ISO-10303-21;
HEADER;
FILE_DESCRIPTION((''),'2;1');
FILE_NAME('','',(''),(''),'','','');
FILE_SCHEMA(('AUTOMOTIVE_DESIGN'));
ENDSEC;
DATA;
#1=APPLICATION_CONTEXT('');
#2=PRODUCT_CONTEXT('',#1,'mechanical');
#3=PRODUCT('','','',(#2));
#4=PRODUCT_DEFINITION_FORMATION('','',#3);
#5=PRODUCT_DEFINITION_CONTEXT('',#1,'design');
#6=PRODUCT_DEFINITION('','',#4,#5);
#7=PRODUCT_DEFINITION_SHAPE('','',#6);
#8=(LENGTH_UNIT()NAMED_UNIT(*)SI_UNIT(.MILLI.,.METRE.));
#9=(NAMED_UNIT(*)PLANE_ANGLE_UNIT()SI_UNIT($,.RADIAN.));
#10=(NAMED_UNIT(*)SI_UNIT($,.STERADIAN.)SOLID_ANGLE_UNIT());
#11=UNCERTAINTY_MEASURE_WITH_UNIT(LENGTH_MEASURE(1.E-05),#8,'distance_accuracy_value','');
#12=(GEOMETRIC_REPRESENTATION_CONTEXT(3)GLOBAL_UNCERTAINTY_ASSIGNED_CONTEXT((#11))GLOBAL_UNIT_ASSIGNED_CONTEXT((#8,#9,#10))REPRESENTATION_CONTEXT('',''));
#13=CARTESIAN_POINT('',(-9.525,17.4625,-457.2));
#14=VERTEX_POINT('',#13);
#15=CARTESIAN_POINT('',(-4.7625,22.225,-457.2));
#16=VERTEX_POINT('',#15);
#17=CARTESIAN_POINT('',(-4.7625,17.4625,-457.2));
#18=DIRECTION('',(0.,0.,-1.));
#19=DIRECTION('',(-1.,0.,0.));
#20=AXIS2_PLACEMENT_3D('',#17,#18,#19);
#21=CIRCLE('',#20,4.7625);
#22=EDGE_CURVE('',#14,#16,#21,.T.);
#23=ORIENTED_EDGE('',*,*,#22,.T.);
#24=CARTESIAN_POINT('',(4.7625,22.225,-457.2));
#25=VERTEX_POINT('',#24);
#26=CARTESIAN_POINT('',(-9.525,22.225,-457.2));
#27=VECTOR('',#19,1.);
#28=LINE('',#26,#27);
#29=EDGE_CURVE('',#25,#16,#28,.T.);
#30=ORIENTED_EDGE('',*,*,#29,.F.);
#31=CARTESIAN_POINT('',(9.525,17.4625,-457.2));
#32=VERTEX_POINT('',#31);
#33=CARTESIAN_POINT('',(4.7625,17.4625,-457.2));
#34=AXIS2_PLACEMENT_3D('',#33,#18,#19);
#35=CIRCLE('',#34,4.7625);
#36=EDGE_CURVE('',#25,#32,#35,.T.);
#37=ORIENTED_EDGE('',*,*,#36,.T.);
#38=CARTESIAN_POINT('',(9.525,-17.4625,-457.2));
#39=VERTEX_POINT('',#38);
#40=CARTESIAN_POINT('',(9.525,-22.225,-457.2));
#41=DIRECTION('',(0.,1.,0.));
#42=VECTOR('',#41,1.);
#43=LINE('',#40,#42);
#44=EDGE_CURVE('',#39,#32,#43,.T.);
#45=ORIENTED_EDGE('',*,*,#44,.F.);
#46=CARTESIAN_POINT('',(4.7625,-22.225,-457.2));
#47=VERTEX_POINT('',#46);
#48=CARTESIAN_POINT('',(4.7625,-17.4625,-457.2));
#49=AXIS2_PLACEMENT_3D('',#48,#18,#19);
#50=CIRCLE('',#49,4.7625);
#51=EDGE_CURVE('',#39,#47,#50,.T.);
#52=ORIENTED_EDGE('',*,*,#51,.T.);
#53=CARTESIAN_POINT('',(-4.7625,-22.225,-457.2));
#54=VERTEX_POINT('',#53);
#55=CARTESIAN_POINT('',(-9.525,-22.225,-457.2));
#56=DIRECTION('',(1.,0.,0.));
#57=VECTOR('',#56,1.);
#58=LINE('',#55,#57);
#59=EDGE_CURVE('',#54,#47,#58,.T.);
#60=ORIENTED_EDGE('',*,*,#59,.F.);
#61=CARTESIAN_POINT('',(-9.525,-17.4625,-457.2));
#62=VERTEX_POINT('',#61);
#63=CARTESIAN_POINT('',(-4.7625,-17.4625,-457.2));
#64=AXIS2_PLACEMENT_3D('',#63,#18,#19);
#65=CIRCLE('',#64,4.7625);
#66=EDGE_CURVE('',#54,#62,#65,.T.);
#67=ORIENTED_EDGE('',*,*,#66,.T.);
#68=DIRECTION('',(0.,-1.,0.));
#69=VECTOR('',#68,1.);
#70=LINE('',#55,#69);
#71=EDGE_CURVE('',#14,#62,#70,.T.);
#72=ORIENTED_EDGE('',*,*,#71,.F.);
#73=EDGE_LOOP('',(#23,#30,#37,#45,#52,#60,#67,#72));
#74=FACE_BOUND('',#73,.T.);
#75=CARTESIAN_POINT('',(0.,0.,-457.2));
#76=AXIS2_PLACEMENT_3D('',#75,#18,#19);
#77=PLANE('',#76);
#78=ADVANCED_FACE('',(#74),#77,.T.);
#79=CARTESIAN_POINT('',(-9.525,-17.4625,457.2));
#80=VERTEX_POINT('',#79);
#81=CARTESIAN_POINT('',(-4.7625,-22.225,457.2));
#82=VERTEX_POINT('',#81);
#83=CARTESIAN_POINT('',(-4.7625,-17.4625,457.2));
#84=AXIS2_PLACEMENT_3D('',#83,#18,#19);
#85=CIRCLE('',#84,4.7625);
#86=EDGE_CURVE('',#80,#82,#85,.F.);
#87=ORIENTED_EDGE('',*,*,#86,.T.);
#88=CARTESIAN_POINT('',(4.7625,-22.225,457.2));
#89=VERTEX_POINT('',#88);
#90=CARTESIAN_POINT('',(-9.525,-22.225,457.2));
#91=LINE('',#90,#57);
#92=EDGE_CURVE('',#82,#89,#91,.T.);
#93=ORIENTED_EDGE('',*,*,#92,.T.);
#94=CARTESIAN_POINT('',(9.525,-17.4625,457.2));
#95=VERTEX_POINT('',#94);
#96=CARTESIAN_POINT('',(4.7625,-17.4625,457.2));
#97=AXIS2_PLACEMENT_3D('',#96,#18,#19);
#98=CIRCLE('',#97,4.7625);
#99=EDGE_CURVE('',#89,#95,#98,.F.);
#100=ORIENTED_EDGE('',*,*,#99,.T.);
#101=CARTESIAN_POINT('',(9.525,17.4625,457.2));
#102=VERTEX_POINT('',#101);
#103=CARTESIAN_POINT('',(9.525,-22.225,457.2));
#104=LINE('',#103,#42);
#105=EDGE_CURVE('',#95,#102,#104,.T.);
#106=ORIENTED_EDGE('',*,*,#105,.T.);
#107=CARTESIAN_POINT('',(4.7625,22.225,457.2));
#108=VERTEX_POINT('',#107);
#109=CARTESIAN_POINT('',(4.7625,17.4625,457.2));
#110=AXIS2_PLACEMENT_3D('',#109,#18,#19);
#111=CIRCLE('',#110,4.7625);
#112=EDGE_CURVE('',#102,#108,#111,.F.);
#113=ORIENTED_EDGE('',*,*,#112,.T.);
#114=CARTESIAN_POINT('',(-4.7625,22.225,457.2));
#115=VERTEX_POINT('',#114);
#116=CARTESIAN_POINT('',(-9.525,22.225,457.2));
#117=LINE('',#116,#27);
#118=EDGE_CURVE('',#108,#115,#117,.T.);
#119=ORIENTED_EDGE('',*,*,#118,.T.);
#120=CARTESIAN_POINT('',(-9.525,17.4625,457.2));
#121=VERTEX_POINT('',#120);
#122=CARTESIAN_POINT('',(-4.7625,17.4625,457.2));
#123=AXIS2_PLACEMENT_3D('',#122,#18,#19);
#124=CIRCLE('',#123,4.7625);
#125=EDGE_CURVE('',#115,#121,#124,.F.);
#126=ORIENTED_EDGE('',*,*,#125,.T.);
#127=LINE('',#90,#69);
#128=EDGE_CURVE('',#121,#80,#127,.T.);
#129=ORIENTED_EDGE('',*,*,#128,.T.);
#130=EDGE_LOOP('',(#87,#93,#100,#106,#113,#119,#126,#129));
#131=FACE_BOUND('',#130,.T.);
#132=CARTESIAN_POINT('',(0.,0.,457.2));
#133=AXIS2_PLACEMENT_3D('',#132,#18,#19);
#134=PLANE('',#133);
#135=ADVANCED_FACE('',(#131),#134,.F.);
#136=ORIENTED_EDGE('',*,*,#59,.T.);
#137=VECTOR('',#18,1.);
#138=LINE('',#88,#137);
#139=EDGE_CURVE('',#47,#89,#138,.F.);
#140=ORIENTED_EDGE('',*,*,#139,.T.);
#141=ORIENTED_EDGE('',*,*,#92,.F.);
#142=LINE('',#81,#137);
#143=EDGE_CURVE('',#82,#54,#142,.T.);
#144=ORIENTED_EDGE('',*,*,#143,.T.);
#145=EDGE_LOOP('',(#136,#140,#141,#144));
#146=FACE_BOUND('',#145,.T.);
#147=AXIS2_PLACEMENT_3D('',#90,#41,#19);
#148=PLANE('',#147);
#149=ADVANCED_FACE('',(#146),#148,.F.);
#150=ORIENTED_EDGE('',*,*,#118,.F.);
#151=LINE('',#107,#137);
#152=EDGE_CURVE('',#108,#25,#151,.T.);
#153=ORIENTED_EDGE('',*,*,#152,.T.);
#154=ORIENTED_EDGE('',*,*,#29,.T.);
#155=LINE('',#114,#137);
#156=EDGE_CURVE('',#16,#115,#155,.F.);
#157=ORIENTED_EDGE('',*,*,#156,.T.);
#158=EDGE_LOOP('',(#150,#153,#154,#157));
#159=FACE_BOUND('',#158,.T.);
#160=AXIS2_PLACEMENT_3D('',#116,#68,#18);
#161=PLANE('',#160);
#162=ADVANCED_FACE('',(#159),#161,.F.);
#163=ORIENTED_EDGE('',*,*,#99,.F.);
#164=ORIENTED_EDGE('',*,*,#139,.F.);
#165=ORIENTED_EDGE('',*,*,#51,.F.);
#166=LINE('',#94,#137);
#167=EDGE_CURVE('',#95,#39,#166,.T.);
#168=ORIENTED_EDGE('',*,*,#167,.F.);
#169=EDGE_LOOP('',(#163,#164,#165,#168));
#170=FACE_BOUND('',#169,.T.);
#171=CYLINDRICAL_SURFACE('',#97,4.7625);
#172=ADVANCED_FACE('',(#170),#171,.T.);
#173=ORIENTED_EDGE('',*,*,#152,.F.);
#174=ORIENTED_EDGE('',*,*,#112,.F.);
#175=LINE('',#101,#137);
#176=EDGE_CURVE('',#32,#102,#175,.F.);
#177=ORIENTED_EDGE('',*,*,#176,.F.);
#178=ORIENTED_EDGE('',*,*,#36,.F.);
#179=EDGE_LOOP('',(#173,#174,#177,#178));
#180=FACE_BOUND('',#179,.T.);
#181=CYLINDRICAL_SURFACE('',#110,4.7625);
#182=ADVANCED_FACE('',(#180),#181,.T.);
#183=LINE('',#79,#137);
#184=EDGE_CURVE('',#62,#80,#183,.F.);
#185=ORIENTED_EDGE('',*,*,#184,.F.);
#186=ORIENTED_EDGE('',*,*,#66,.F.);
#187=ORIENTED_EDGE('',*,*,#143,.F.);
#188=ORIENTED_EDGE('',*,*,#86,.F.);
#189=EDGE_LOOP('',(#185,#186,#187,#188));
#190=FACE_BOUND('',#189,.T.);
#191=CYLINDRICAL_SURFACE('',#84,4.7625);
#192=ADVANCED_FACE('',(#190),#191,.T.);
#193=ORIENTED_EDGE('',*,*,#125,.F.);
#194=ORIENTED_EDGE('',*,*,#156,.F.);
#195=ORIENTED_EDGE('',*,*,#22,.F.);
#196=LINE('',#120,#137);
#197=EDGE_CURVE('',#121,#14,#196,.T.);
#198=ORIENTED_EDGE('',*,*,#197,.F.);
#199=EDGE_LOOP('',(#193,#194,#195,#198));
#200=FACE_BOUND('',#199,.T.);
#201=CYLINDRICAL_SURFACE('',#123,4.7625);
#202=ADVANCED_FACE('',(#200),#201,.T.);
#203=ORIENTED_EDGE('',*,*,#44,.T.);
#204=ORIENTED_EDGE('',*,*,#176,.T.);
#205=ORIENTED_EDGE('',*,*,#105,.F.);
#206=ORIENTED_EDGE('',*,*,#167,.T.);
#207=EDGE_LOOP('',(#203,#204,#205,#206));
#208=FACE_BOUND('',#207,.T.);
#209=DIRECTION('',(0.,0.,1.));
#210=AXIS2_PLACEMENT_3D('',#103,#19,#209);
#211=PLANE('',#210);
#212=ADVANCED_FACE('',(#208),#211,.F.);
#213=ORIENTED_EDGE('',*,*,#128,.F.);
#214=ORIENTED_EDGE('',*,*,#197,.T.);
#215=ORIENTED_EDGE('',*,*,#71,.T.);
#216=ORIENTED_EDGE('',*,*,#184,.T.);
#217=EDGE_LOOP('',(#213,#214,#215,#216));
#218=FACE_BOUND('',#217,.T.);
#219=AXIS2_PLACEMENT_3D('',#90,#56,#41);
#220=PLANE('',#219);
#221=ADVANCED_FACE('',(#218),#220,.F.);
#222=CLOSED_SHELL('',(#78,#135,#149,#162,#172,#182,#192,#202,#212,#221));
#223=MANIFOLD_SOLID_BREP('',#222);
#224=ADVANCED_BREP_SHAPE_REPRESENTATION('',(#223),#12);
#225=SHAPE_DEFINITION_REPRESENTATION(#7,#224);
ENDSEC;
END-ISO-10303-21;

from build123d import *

# Parameters (mm, degrees)
BOSS_EXTRUDE1_DEPTH      = 457.2
BOSS_EXTRUDE1_DEPTH_BACK = 457.2
SKETCH3_W                = 19.05
SKETCH3_H                = 44.45
FILLET1_R                = 4.7625


with BuildPart() as part:
    # Sketch3 → Boss-Extrude1 (new, two sides: drawn at the far end of the back side and taken through both)
    with BuildSketch(Plane.XY.offset(-BOSS_EXTRUDE1_DEPTH_BACK)):
        Rectangle(SKETCH3_W, SKETCH3_H)
    extrude(amount=BOSS_EXTRUDE1_DEPTH + BOSS_EXTRUDE1_DEPTH_BACK)

    # Fillet1
    fillet1_edges = [part.edges().sort_by_distance(p)[0] for p in [
        (9.525, -22.225, 0),
        (-9.525, -22.225, 0),
        (-9.525, 22.225, 0),
        (9.525, 22.225, 0),
    ]]
    fillet(fillet1_edges, radius=FILLET1_R)


solid = part.part
